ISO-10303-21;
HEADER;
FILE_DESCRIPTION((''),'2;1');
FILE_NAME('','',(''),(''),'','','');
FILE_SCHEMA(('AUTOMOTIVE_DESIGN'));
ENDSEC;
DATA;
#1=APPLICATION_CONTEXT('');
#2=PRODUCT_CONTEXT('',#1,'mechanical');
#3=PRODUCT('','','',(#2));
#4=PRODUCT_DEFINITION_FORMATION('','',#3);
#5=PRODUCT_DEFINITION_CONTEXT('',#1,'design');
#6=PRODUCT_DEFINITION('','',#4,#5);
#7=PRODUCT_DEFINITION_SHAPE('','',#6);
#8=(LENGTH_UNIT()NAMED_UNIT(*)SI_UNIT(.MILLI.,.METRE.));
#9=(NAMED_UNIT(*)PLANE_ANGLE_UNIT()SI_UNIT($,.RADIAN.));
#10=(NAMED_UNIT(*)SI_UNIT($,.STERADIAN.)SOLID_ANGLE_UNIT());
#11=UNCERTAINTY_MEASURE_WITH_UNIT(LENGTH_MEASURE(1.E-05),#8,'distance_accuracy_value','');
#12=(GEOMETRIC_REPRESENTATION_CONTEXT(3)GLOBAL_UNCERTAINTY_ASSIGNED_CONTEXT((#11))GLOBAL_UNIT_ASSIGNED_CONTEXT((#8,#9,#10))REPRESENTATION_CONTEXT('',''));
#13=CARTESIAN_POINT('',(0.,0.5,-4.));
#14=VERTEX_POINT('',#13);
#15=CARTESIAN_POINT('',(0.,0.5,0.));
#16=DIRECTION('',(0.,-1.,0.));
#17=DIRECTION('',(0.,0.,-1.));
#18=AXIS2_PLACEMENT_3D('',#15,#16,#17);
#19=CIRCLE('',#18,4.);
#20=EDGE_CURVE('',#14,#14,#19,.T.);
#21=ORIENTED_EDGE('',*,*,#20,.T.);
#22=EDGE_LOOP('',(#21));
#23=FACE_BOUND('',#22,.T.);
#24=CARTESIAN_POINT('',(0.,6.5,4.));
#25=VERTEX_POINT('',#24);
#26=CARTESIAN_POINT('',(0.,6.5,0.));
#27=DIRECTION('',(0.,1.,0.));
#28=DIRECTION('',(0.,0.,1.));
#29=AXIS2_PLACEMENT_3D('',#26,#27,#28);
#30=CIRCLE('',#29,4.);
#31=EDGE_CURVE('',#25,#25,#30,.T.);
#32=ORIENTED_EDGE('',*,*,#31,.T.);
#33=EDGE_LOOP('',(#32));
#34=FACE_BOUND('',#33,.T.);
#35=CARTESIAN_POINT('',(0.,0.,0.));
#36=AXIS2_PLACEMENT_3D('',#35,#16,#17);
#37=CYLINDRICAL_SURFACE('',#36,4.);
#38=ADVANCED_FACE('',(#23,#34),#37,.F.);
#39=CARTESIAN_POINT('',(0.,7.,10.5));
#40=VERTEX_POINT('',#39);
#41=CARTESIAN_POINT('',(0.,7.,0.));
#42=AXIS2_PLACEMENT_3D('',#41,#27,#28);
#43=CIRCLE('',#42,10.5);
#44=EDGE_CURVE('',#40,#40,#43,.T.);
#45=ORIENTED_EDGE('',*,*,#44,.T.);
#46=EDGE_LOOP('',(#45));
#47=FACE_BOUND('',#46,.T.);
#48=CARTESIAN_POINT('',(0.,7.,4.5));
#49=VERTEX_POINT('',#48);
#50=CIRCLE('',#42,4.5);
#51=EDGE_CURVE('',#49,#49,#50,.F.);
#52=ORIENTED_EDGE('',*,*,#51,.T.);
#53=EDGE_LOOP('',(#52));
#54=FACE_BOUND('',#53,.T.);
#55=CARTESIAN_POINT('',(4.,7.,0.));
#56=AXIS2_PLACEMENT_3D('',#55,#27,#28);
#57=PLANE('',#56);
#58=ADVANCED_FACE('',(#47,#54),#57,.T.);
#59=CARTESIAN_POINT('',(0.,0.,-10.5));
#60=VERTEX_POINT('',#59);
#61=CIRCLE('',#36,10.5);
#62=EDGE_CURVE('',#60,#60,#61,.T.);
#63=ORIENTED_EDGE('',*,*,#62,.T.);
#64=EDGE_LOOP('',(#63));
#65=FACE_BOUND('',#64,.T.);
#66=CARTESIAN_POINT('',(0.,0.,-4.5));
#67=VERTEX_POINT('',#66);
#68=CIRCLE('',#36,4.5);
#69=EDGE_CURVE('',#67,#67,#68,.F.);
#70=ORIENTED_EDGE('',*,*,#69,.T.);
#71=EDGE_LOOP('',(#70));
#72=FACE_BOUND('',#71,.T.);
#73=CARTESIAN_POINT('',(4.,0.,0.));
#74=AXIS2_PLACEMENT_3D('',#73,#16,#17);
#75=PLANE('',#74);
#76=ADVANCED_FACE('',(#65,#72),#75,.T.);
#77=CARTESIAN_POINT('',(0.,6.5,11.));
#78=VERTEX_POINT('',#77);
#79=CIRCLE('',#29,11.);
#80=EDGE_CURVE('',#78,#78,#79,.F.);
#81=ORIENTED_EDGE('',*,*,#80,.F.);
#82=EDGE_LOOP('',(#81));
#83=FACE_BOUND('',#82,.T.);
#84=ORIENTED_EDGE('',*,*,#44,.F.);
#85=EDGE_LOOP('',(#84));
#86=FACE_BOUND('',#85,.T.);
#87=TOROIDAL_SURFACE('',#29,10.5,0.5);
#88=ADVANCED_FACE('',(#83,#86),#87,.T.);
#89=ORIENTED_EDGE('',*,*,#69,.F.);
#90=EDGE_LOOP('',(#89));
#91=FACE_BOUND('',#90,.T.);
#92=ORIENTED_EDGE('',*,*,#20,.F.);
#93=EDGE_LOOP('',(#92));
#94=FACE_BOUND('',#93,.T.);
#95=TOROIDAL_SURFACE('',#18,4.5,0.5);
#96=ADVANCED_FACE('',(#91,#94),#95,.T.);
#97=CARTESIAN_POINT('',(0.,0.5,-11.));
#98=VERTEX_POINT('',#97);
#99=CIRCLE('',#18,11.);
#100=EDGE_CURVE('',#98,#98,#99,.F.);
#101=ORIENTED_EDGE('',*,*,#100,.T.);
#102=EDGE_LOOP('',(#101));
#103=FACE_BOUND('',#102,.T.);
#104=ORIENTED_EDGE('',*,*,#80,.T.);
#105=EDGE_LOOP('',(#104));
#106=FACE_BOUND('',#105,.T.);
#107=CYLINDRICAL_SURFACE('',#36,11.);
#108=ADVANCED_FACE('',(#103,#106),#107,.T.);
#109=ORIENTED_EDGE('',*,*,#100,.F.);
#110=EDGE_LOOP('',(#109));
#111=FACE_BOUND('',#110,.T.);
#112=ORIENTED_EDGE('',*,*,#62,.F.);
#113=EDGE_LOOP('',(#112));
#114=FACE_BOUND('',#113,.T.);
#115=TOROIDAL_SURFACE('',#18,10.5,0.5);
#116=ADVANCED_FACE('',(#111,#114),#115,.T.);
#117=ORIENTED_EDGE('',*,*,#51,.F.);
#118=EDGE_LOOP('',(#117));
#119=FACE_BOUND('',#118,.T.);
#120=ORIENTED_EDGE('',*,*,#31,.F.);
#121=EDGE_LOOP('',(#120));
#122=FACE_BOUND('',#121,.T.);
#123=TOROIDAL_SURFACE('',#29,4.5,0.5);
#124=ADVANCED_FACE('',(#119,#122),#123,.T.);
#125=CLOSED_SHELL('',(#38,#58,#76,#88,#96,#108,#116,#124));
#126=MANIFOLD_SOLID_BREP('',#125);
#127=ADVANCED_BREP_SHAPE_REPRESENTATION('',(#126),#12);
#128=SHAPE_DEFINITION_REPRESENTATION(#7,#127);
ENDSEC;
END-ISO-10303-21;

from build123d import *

# Parameters (mm, degrees)
ESQUISSE1_W = 7
ESQUISSE1_H = 7
CONG_1_R    = 0.5


with BuildPart() as part:
    # Esquisse1 → Révolution1 (revolve)
    with BuildSketch(Plane.XY):
        with Locations((7.5, 3.5)):
            Rectangle(ESQUISSE1_W, ESQUISSE1_H)
    revolve(axis=Axis((0, 0, 0), (0, 1, 0)))

    # Congé1
    cong_1_edges = [part.edges().sort_by_distance(p)[0] for p in [
        (-4, 0, 0),
        (-11, 0, 0),
        (-11, 7, 0),
        (-4, 7, 0),
    ]]
    fillet(cong_1_edges, radius=CONG_1_R)


solid = part.part
